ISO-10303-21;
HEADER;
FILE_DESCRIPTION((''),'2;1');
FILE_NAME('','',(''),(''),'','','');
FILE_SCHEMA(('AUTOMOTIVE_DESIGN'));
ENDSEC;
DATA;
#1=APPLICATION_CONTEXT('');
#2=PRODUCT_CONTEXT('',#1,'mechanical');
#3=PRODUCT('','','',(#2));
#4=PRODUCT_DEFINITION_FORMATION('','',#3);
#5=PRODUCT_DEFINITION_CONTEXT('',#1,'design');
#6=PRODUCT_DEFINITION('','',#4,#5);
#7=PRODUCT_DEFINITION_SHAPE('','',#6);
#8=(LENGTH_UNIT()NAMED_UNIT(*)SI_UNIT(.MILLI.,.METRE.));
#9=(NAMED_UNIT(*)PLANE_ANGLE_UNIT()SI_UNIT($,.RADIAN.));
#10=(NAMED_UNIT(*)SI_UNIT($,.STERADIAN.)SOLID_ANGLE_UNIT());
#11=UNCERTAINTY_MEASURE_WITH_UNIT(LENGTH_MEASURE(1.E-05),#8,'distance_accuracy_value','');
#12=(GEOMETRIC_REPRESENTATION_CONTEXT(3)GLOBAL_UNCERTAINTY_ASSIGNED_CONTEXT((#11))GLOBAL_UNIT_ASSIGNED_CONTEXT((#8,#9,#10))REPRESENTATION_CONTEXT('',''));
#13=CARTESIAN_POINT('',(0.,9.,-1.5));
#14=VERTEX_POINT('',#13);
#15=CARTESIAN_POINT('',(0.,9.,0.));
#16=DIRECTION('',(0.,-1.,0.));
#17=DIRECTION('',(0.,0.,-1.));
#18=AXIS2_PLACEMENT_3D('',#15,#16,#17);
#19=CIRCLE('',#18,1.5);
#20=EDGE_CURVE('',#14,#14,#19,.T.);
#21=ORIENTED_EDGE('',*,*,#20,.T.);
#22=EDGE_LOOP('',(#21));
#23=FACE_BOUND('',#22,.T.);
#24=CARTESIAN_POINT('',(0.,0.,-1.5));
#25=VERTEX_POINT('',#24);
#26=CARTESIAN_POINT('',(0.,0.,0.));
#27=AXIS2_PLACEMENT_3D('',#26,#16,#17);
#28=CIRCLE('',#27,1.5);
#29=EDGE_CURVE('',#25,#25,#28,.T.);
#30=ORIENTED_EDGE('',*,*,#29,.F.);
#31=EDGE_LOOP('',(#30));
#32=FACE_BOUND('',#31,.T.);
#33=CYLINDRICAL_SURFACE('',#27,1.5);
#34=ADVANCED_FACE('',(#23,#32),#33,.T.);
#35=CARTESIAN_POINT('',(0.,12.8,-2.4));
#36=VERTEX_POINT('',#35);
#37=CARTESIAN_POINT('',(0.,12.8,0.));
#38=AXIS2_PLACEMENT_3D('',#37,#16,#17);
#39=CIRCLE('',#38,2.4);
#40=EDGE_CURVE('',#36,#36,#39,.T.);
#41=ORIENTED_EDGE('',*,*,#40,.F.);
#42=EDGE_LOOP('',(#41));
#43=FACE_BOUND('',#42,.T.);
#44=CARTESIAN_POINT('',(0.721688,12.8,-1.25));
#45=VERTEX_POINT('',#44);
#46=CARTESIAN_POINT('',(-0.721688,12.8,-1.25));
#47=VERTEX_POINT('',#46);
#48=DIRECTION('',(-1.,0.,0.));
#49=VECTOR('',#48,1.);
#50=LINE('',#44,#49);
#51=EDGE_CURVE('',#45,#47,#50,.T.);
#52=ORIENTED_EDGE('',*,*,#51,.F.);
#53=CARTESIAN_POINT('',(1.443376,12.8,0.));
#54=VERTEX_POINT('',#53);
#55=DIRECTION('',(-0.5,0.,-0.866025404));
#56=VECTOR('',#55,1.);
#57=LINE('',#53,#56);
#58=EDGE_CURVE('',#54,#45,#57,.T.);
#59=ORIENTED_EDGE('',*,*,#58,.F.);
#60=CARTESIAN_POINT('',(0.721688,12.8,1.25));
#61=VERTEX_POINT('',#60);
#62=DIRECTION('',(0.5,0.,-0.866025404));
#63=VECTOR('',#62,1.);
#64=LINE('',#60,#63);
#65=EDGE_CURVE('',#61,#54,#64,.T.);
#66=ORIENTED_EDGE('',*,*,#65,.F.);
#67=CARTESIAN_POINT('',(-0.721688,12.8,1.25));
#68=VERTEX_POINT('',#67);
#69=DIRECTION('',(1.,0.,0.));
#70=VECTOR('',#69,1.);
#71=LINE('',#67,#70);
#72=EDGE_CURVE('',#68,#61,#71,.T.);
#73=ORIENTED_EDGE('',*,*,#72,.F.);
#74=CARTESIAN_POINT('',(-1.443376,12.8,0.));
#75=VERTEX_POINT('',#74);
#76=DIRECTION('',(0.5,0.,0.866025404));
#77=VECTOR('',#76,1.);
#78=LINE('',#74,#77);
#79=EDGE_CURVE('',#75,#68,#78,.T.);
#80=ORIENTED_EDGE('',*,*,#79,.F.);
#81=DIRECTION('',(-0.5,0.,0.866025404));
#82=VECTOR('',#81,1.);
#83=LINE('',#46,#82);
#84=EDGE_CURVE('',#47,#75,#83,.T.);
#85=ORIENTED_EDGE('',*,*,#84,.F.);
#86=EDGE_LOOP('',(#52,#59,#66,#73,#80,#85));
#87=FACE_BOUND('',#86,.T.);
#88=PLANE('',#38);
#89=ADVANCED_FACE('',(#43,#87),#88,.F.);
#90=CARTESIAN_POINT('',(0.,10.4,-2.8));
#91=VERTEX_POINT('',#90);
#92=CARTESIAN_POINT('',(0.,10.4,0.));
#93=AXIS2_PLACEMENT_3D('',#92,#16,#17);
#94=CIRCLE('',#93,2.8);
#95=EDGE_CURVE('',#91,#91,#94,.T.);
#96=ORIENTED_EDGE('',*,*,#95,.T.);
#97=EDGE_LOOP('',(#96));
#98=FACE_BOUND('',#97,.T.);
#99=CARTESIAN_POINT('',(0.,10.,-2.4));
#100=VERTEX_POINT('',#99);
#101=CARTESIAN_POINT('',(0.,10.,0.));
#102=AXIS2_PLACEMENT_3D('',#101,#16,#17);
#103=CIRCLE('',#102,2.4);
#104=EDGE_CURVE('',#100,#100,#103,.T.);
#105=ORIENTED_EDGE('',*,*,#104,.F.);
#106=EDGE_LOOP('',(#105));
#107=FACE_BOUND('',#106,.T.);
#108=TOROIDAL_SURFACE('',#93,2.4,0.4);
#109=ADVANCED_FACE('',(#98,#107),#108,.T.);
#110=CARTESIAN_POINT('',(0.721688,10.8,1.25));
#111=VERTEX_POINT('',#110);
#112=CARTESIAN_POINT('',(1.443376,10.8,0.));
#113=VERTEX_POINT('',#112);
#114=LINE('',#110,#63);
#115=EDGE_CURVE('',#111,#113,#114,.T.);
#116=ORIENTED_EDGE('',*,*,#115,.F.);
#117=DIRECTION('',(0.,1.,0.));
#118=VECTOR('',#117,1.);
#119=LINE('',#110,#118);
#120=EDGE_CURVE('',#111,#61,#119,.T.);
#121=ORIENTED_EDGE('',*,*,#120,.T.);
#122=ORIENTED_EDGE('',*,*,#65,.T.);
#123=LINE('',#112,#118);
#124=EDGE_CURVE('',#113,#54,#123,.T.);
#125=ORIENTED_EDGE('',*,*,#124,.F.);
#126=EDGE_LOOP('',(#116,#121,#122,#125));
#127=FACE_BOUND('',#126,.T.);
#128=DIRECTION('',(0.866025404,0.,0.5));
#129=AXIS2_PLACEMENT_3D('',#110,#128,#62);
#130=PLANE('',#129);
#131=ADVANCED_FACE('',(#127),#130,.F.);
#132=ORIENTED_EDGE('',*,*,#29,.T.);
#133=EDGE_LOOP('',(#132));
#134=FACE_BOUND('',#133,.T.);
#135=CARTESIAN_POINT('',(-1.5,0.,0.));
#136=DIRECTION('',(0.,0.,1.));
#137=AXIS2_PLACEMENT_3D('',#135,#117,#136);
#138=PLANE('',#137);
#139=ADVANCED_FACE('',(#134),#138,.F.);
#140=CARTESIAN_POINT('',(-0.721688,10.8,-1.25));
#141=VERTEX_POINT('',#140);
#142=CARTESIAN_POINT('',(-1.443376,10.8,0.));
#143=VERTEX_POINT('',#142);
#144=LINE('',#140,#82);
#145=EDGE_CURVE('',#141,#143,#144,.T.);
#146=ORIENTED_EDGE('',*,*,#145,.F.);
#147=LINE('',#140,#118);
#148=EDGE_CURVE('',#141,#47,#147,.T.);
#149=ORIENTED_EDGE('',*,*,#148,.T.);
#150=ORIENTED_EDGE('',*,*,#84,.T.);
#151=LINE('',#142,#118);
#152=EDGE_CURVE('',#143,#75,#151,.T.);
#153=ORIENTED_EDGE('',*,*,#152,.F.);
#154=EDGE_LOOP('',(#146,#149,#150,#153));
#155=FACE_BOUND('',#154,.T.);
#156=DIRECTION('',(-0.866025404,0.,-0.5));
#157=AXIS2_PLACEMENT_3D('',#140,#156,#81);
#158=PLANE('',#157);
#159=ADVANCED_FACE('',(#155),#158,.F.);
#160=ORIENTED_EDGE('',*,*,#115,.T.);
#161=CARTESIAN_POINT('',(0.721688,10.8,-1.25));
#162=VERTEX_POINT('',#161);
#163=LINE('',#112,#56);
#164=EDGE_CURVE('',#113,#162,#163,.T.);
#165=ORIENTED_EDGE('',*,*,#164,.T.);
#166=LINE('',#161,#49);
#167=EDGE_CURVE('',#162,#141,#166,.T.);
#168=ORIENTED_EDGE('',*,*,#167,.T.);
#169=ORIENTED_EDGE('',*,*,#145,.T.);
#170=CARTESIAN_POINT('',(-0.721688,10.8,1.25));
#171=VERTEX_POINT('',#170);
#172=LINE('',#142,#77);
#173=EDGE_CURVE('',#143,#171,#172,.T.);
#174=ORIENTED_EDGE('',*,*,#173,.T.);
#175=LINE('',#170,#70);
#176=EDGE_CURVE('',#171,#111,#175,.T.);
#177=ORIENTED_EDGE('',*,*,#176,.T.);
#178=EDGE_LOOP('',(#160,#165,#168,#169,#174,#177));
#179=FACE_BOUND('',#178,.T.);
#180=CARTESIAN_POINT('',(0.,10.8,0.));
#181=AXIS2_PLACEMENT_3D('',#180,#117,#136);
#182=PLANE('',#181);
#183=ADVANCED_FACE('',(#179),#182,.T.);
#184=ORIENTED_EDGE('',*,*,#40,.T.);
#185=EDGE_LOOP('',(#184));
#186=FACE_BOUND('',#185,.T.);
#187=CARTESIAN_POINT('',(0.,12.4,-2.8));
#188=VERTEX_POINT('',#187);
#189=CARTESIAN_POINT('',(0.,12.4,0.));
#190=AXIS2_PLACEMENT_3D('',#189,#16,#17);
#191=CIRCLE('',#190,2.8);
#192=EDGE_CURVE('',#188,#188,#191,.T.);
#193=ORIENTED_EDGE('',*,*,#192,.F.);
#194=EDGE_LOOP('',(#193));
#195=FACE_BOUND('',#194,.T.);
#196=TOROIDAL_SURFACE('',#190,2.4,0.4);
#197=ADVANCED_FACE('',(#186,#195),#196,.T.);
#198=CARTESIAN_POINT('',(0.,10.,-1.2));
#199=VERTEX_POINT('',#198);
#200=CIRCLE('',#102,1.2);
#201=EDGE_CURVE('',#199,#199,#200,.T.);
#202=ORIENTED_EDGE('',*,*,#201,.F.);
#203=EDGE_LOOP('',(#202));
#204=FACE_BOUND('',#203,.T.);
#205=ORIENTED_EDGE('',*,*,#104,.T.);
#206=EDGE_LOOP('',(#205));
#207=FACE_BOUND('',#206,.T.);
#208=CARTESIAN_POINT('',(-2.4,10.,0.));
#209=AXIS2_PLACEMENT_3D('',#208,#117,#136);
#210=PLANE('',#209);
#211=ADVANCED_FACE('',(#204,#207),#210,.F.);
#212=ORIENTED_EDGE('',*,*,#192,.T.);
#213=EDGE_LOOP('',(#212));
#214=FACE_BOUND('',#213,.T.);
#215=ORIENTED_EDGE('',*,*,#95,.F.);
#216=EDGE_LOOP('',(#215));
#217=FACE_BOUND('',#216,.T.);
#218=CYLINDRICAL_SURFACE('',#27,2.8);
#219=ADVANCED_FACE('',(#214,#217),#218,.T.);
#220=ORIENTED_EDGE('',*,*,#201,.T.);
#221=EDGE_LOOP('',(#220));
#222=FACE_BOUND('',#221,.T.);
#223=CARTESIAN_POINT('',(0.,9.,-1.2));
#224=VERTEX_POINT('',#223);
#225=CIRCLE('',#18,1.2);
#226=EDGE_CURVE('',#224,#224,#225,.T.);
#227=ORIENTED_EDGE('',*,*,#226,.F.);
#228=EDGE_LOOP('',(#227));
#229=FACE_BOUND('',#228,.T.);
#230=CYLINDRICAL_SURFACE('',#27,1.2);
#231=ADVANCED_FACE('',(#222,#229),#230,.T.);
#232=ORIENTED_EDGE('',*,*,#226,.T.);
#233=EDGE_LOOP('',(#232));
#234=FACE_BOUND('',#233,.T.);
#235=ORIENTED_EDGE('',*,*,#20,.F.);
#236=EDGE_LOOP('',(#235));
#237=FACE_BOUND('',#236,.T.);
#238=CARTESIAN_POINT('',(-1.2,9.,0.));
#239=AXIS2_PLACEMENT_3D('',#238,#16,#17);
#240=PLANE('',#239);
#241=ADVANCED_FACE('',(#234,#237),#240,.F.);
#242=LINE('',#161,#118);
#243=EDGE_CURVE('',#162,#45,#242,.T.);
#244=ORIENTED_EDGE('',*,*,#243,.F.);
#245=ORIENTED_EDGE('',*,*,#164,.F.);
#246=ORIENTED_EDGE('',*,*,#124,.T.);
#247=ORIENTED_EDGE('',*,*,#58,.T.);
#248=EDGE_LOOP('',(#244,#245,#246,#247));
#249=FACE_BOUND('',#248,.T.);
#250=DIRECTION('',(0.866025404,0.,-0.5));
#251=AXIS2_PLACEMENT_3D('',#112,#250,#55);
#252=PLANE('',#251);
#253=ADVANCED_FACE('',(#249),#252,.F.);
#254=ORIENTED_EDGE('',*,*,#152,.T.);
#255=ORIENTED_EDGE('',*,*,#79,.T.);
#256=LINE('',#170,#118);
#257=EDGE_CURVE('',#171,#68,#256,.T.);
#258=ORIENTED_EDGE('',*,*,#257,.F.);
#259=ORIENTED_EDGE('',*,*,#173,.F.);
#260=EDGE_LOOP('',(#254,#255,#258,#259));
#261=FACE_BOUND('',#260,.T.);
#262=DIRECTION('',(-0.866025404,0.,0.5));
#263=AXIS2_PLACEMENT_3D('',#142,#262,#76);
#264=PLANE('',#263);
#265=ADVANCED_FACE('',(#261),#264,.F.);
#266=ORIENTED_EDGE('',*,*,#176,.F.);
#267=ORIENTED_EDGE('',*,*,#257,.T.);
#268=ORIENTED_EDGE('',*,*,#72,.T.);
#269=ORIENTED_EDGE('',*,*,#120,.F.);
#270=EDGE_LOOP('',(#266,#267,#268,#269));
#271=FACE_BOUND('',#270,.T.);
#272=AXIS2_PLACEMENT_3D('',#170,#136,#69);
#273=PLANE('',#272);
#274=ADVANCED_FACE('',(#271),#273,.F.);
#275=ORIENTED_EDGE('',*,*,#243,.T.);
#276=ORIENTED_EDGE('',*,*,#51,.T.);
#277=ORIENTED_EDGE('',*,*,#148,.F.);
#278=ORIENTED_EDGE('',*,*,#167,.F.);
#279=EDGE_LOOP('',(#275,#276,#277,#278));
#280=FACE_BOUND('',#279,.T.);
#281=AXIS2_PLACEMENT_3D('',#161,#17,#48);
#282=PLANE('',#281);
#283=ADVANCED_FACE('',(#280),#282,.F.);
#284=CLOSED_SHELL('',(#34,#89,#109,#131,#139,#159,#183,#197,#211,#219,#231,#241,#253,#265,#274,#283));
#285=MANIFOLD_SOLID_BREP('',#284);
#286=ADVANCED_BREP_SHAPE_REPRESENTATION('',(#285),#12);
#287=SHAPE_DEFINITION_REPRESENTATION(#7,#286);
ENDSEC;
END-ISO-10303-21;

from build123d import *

# Parameters (mm, degrees)
CUT_EXTRUDE_1_DEPTH = 2


with BuildPart() as part:
    # 草图1 → 旋转1 (revolve)
    with BuildSketch(Plane.XY):
        with BuildLine():
            Line((0, 12.8), (-2.4, 12.8))
            ThreePointArc((-2.4, 12.8), (-2.682842712, 12.682842712), (-2.8, 12.4))
            Line((-2.8, 12.4), (-2.8, 10.4))
            ThreePointArc((-2.8, 10.4), (-2.682842712, 10.117157288), (-2.4, 10))
            Line((-2.4, 10), (-1.2, 10))
            Line((-1.2, 10), (-1.2, 9))
            Line((-1.2, 9), (-1.5, 9))
            Line((-1.5, 9), (-1.5, 0))
            Line((-1.5, 0), (0, 0))
            Line((0, 0), (0, 12.8))
        make_face()
    revolve(axis=Axis((0, 0, 0), (0, 1, 0)))

    # 草图2 → 切除-拉伸1 (cut)
    with BuildSketch(Plane(origin=(0, 12.8, 0), x_dir=(1, 0, 0), z_dir=(0, 1, 0))):
        Polygon((-0.721687836, 1.25), (-1.443375673, 0), (-0.721687836, -1.25), (0.721687836, -1.25), (1.443375673, 0), (0.721687836, 1.25), align=None)
    extrude(amount=-CUT_EXTRUDE_1_DEPTH, mode=Mode.SUBTRACT)


solid = part.part
